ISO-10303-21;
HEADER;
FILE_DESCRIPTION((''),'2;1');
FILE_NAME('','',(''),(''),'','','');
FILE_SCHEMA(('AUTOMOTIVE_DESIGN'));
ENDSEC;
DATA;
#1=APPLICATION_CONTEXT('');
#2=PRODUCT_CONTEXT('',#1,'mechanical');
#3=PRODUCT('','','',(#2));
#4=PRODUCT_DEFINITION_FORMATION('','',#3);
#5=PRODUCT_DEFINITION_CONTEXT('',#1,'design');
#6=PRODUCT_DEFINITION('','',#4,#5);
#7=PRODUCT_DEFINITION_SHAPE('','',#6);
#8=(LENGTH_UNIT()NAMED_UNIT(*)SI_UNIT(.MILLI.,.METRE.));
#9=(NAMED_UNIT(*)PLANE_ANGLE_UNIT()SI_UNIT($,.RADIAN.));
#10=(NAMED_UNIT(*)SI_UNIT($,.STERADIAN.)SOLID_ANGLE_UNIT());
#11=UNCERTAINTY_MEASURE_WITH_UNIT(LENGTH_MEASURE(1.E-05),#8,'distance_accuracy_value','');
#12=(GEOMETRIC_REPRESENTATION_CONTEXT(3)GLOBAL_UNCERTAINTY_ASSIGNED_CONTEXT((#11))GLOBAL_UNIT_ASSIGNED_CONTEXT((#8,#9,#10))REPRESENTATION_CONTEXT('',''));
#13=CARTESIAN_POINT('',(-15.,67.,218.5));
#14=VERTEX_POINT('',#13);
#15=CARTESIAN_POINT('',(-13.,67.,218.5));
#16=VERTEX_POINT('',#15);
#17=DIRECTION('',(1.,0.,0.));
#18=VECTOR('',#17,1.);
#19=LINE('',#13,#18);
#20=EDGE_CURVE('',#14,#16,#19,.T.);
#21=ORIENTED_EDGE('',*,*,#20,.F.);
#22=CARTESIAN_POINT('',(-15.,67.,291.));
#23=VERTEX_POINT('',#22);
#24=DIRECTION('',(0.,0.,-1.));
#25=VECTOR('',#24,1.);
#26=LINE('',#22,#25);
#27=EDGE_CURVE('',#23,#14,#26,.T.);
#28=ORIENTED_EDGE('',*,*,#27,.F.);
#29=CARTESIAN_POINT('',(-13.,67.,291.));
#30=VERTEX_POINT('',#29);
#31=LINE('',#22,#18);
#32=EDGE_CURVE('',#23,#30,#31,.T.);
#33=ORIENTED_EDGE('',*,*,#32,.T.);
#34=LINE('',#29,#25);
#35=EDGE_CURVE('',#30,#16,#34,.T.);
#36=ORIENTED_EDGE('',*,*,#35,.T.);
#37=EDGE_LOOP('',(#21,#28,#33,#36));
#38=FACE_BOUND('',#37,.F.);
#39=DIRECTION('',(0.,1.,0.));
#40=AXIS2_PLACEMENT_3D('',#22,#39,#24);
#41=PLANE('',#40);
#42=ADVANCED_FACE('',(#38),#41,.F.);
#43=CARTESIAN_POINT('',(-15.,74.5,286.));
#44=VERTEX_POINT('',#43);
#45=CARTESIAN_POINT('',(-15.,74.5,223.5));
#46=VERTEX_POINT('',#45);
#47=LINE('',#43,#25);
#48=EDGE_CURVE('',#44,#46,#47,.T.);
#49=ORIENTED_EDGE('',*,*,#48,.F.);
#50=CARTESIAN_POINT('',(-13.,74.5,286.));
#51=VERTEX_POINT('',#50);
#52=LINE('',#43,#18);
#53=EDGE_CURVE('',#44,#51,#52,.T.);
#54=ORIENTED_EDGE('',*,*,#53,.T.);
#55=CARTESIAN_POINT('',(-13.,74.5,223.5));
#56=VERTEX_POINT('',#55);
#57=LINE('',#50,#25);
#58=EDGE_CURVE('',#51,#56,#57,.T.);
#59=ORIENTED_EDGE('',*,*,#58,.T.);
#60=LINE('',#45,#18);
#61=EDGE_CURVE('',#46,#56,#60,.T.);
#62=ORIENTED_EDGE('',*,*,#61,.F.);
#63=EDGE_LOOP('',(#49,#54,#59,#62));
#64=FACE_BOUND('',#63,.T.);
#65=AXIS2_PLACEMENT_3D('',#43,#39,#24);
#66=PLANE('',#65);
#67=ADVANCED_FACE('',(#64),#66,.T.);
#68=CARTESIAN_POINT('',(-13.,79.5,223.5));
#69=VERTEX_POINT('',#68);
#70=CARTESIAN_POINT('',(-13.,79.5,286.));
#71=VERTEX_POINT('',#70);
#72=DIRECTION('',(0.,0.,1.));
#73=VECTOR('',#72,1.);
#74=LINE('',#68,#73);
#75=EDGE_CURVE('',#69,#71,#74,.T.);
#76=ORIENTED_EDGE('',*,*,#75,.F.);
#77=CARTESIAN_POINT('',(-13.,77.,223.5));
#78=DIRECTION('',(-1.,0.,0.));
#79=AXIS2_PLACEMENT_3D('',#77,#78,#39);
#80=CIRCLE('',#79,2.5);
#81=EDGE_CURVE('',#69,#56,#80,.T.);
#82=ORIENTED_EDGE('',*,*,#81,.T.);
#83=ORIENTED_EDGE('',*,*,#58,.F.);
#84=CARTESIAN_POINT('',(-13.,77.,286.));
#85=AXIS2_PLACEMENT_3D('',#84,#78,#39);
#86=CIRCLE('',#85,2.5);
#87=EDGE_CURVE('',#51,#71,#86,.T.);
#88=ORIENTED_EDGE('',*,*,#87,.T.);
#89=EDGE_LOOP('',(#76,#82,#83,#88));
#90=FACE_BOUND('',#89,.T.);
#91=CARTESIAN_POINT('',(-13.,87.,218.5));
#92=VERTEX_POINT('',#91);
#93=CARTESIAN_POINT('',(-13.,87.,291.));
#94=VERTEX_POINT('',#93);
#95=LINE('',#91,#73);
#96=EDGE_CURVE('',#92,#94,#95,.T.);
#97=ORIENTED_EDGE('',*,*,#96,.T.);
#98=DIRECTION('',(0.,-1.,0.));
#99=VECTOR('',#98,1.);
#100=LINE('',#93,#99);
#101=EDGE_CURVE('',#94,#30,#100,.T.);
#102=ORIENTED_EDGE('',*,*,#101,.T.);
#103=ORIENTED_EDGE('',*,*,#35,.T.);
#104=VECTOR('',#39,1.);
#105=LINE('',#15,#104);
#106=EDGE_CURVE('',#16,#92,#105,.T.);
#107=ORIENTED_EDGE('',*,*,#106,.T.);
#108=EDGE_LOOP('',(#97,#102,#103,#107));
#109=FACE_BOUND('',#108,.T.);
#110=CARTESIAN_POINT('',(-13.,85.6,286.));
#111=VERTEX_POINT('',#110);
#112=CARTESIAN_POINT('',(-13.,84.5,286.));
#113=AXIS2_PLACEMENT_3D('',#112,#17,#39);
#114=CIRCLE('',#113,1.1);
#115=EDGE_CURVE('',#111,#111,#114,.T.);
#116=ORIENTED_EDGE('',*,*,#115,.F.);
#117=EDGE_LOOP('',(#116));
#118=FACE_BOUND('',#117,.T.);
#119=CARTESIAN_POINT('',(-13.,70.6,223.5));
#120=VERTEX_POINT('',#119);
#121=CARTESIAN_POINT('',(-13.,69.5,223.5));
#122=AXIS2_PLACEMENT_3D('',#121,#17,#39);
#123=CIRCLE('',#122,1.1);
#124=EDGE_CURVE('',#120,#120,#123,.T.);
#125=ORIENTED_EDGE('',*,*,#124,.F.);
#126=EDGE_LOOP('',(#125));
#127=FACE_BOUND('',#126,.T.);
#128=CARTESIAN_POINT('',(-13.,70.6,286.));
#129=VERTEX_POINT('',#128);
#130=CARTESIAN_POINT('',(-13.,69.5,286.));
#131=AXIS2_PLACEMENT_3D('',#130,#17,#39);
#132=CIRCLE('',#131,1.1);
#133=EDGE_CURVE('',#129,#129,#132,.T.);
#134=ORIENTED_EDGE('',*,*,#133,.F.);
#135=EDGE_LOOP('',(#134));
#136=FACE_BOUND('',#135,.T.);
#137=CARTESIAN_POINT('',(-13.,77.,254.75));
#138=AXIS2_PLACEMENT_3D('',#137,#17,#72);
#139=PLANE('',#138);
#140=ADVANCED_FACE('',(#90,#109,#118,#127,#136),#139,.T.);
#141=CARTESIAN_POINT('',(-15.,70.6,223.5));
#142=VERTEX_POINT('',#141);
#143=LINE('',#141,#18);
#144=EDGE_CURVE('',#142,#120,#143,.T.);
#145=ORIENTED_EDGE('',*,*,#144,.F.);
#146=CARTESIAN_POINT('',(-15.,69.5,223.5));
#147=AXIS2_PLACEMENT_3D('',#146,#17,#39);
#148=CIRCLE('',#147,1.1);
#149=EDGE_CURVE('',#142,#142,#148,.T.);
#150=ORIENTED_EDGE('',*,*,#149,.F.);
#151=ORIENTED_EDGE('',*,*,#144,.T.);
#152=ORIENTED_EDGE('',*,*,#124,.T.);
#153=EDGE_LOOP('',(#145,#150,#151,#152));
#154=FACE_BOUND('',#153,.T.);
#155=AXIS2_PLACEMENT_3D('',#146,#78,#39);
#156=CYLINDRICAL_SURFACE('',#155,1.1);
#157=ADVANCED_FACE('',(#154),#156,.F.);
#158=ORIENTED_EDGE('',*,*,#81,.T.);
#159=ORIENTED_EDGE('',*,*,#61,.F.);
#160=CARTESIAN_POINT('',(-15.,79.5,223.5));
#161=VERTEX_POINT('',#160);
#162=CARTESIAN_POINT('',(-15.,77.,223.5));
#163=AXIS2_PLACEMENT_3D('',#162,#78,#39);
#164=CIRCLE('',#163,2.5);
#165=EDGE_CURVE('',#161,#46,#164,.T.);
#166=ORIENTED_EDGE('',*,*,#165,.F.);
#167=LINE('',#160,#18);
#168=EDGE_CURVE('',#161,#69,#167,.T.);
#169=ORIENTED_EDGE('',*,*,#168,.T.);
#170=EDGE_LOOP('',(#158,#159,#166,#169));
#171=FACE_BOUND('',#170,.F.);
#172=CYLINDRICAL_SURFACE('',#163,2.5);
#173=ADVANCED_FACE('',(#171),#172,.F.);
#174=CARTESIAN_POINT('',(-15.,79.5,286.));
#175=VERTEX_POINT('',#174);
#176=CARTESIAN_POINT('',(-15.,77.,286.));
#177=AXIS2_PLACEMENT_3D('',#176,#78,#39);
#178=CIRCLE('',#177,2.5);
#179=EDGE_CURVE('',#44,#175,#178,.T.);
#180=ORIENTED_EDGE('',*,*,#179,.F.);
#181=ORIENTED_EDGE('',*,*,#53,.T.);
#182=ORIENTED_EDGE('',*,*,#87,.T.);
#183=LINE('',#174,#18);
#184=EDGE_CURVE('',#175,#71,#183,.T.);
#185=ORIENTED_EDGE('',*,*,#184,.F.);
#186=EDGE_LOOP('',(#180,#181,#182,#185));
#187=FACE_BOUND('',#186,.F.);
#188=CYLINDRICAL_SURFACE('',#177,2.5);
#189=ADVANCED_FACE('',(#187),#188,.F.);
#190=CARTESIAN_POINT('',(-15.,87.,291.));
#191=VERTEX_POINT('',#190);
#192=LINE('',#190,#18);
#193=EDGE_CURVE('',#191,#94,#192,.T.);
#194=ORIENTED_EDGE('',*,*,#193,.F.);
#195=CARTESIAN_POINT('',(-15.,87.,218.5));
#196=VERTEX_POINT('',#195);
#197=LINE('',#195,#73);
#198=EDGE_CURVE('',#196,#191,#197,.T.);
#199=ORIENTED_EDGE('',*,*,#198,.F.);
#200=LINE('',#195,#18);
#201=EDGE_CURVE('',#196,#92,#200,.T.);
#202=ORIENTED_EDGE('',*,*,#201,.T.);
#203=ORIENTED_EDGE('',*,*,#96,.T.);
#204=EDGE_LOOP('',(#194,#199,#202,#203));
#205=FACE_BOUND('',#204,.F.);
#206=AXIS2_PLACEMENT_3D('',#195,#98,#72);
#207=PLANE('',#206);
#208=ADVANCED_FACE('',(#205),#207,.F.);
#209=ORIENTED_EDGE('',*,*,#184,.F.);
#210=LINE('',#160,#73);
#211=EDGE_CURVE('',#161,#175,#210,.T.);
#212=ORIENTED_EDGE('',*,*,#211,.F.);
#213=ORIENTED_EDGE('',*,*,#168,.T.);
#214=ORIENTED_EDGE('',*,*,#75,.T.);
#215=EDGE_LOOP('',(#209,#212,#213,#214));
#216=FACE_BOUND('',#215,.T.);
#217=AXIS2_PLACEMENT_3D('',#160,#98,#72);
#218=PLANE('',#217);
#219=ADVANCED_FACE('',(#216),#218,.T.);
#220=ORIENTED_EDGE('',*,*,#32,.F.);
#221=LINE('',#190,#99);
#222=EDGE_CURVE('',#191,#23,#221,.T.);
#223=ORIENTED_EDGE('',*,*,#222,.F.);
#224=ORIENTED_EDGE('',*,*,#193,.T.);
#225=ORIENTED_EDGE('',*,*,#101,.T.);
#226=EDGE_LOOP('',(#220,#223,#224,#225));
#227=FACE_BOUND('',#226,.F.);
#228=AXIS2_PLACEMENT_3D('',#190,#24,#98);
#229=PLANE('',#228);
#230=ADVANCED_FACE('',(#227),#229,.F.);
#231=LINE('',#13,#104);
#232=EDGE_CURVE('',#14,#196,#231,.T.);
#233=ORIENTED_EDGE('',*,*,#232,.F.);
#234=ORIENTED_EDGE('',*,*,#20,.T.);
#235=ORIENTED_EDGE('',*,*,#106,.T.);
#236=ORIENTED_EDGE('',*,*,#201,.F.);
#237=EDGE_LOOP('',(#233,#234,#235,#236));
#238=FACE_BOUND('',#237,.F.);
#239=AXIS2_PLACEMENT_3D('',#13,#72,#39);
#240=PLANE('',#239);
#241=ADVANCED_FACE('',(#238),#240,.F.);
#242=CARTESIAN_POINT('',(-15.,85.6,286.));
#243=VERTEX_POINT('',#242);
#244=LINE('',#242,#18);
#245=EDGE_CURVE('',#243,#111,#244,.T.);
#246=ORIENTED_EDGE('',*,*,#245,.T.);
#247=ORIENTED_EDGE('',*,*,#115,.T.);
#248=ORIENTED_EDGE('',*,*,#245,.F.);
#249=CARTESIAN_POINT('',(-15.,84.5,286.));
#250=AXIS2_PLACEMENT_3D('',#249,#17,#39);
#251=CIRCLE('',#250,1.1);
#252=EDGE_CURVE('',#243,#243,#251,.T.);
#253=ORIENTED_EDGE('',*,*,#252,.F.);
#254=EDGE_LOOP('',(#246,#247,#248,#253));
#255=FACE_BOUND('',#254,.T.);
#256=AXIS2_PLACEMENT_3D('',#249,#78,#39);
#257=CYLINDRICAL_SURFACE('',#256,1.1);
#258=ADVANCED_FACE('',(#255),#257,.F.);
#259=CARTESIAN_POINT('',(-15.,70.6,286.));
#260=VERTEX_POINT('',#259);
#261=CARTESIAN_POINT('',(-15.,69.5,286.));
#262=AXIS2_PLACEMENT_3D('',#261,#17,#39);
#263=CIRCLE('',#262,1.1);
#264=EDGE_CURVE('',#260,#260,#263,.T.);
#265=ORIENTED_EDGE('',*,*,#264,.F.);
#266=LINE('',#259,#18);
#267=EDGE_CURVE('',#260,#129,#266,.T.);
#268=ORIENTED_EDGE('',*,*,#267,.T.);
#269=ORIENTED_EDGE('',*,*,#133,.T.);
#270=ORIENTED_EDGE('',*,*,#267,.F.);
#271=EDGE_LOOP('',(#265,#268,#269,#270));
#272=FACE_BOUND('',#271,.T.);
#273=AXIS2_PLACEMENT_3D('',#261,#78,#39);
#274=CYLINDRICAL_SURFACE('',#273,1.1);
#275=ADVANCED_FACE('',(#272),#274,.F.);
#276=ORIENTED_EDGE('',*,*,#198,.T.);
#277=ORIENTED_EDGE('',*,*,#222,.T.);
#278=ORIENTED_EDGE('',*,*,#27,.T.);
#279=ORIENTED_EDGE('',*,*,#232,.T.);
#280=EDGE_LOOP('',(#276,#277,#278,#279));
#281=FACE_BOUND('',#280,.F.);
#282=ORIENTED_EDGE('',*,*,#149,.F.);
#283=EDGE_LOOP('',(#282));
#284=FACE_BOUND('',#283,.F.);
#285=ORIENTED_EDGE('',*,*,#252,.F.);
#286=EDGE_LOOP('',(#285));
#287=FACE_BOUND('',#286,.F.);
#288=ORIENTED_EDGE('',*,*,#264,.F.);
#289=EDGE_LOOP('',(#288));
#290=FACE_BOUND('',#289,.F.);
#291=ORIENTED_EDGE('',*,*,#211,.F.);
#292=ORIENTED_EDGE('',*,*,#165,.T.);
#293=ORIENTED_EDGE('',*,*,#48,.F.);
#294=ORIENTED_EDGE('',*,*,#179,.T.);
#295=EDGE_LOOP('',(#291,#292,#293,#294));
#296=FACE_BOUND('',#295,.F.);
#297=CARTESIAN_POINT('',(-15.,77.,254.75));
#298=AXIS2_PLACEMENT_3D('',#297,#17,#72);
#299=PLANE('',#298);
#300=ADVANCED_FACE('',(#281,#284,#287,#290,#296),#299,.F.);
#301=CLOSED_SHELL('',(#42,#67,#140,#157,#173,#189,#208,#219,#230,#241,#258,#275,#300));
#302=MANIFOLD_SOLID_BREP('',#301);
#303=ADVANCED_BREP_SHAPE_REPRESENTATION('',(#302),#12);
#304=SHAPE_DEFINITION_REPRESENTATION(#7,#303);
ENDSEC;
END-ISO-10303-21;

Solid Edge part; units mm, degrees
sketch "Sketch1" plane through (-15, 0, 0) normal (1, 0, 0) x (0, 1, 0)
  circle A0 centre (69.5, 286) radius 1.1
  line L0 (79.5, 223.5) -> (79.5, 286)
  line L1 (74.5, 286) -> (74.5, 223.5)
  arc A1 (74.5, 286) -> (79.5, 286) centre (77, 286) cw
  arc A2 (79.5, 223.5) -> (74.5, 223.5) centre (77, 223.5) cw
  line L2 (87, 291) -> (67, 291)
  line L3 (67, 291) -> (67, 218.5)
  line L4 (67, 218.5) -> (87, 218.5)
  line L5 (87, 218.5) -> (87, 291)
  circle A3 centre (84.5, 286) radius 1.1
  circle A4 centre (69.5, 223.5) radius 1.1
extrude "Protrusion1" add sketch "Sketch1" along normal blind 2
